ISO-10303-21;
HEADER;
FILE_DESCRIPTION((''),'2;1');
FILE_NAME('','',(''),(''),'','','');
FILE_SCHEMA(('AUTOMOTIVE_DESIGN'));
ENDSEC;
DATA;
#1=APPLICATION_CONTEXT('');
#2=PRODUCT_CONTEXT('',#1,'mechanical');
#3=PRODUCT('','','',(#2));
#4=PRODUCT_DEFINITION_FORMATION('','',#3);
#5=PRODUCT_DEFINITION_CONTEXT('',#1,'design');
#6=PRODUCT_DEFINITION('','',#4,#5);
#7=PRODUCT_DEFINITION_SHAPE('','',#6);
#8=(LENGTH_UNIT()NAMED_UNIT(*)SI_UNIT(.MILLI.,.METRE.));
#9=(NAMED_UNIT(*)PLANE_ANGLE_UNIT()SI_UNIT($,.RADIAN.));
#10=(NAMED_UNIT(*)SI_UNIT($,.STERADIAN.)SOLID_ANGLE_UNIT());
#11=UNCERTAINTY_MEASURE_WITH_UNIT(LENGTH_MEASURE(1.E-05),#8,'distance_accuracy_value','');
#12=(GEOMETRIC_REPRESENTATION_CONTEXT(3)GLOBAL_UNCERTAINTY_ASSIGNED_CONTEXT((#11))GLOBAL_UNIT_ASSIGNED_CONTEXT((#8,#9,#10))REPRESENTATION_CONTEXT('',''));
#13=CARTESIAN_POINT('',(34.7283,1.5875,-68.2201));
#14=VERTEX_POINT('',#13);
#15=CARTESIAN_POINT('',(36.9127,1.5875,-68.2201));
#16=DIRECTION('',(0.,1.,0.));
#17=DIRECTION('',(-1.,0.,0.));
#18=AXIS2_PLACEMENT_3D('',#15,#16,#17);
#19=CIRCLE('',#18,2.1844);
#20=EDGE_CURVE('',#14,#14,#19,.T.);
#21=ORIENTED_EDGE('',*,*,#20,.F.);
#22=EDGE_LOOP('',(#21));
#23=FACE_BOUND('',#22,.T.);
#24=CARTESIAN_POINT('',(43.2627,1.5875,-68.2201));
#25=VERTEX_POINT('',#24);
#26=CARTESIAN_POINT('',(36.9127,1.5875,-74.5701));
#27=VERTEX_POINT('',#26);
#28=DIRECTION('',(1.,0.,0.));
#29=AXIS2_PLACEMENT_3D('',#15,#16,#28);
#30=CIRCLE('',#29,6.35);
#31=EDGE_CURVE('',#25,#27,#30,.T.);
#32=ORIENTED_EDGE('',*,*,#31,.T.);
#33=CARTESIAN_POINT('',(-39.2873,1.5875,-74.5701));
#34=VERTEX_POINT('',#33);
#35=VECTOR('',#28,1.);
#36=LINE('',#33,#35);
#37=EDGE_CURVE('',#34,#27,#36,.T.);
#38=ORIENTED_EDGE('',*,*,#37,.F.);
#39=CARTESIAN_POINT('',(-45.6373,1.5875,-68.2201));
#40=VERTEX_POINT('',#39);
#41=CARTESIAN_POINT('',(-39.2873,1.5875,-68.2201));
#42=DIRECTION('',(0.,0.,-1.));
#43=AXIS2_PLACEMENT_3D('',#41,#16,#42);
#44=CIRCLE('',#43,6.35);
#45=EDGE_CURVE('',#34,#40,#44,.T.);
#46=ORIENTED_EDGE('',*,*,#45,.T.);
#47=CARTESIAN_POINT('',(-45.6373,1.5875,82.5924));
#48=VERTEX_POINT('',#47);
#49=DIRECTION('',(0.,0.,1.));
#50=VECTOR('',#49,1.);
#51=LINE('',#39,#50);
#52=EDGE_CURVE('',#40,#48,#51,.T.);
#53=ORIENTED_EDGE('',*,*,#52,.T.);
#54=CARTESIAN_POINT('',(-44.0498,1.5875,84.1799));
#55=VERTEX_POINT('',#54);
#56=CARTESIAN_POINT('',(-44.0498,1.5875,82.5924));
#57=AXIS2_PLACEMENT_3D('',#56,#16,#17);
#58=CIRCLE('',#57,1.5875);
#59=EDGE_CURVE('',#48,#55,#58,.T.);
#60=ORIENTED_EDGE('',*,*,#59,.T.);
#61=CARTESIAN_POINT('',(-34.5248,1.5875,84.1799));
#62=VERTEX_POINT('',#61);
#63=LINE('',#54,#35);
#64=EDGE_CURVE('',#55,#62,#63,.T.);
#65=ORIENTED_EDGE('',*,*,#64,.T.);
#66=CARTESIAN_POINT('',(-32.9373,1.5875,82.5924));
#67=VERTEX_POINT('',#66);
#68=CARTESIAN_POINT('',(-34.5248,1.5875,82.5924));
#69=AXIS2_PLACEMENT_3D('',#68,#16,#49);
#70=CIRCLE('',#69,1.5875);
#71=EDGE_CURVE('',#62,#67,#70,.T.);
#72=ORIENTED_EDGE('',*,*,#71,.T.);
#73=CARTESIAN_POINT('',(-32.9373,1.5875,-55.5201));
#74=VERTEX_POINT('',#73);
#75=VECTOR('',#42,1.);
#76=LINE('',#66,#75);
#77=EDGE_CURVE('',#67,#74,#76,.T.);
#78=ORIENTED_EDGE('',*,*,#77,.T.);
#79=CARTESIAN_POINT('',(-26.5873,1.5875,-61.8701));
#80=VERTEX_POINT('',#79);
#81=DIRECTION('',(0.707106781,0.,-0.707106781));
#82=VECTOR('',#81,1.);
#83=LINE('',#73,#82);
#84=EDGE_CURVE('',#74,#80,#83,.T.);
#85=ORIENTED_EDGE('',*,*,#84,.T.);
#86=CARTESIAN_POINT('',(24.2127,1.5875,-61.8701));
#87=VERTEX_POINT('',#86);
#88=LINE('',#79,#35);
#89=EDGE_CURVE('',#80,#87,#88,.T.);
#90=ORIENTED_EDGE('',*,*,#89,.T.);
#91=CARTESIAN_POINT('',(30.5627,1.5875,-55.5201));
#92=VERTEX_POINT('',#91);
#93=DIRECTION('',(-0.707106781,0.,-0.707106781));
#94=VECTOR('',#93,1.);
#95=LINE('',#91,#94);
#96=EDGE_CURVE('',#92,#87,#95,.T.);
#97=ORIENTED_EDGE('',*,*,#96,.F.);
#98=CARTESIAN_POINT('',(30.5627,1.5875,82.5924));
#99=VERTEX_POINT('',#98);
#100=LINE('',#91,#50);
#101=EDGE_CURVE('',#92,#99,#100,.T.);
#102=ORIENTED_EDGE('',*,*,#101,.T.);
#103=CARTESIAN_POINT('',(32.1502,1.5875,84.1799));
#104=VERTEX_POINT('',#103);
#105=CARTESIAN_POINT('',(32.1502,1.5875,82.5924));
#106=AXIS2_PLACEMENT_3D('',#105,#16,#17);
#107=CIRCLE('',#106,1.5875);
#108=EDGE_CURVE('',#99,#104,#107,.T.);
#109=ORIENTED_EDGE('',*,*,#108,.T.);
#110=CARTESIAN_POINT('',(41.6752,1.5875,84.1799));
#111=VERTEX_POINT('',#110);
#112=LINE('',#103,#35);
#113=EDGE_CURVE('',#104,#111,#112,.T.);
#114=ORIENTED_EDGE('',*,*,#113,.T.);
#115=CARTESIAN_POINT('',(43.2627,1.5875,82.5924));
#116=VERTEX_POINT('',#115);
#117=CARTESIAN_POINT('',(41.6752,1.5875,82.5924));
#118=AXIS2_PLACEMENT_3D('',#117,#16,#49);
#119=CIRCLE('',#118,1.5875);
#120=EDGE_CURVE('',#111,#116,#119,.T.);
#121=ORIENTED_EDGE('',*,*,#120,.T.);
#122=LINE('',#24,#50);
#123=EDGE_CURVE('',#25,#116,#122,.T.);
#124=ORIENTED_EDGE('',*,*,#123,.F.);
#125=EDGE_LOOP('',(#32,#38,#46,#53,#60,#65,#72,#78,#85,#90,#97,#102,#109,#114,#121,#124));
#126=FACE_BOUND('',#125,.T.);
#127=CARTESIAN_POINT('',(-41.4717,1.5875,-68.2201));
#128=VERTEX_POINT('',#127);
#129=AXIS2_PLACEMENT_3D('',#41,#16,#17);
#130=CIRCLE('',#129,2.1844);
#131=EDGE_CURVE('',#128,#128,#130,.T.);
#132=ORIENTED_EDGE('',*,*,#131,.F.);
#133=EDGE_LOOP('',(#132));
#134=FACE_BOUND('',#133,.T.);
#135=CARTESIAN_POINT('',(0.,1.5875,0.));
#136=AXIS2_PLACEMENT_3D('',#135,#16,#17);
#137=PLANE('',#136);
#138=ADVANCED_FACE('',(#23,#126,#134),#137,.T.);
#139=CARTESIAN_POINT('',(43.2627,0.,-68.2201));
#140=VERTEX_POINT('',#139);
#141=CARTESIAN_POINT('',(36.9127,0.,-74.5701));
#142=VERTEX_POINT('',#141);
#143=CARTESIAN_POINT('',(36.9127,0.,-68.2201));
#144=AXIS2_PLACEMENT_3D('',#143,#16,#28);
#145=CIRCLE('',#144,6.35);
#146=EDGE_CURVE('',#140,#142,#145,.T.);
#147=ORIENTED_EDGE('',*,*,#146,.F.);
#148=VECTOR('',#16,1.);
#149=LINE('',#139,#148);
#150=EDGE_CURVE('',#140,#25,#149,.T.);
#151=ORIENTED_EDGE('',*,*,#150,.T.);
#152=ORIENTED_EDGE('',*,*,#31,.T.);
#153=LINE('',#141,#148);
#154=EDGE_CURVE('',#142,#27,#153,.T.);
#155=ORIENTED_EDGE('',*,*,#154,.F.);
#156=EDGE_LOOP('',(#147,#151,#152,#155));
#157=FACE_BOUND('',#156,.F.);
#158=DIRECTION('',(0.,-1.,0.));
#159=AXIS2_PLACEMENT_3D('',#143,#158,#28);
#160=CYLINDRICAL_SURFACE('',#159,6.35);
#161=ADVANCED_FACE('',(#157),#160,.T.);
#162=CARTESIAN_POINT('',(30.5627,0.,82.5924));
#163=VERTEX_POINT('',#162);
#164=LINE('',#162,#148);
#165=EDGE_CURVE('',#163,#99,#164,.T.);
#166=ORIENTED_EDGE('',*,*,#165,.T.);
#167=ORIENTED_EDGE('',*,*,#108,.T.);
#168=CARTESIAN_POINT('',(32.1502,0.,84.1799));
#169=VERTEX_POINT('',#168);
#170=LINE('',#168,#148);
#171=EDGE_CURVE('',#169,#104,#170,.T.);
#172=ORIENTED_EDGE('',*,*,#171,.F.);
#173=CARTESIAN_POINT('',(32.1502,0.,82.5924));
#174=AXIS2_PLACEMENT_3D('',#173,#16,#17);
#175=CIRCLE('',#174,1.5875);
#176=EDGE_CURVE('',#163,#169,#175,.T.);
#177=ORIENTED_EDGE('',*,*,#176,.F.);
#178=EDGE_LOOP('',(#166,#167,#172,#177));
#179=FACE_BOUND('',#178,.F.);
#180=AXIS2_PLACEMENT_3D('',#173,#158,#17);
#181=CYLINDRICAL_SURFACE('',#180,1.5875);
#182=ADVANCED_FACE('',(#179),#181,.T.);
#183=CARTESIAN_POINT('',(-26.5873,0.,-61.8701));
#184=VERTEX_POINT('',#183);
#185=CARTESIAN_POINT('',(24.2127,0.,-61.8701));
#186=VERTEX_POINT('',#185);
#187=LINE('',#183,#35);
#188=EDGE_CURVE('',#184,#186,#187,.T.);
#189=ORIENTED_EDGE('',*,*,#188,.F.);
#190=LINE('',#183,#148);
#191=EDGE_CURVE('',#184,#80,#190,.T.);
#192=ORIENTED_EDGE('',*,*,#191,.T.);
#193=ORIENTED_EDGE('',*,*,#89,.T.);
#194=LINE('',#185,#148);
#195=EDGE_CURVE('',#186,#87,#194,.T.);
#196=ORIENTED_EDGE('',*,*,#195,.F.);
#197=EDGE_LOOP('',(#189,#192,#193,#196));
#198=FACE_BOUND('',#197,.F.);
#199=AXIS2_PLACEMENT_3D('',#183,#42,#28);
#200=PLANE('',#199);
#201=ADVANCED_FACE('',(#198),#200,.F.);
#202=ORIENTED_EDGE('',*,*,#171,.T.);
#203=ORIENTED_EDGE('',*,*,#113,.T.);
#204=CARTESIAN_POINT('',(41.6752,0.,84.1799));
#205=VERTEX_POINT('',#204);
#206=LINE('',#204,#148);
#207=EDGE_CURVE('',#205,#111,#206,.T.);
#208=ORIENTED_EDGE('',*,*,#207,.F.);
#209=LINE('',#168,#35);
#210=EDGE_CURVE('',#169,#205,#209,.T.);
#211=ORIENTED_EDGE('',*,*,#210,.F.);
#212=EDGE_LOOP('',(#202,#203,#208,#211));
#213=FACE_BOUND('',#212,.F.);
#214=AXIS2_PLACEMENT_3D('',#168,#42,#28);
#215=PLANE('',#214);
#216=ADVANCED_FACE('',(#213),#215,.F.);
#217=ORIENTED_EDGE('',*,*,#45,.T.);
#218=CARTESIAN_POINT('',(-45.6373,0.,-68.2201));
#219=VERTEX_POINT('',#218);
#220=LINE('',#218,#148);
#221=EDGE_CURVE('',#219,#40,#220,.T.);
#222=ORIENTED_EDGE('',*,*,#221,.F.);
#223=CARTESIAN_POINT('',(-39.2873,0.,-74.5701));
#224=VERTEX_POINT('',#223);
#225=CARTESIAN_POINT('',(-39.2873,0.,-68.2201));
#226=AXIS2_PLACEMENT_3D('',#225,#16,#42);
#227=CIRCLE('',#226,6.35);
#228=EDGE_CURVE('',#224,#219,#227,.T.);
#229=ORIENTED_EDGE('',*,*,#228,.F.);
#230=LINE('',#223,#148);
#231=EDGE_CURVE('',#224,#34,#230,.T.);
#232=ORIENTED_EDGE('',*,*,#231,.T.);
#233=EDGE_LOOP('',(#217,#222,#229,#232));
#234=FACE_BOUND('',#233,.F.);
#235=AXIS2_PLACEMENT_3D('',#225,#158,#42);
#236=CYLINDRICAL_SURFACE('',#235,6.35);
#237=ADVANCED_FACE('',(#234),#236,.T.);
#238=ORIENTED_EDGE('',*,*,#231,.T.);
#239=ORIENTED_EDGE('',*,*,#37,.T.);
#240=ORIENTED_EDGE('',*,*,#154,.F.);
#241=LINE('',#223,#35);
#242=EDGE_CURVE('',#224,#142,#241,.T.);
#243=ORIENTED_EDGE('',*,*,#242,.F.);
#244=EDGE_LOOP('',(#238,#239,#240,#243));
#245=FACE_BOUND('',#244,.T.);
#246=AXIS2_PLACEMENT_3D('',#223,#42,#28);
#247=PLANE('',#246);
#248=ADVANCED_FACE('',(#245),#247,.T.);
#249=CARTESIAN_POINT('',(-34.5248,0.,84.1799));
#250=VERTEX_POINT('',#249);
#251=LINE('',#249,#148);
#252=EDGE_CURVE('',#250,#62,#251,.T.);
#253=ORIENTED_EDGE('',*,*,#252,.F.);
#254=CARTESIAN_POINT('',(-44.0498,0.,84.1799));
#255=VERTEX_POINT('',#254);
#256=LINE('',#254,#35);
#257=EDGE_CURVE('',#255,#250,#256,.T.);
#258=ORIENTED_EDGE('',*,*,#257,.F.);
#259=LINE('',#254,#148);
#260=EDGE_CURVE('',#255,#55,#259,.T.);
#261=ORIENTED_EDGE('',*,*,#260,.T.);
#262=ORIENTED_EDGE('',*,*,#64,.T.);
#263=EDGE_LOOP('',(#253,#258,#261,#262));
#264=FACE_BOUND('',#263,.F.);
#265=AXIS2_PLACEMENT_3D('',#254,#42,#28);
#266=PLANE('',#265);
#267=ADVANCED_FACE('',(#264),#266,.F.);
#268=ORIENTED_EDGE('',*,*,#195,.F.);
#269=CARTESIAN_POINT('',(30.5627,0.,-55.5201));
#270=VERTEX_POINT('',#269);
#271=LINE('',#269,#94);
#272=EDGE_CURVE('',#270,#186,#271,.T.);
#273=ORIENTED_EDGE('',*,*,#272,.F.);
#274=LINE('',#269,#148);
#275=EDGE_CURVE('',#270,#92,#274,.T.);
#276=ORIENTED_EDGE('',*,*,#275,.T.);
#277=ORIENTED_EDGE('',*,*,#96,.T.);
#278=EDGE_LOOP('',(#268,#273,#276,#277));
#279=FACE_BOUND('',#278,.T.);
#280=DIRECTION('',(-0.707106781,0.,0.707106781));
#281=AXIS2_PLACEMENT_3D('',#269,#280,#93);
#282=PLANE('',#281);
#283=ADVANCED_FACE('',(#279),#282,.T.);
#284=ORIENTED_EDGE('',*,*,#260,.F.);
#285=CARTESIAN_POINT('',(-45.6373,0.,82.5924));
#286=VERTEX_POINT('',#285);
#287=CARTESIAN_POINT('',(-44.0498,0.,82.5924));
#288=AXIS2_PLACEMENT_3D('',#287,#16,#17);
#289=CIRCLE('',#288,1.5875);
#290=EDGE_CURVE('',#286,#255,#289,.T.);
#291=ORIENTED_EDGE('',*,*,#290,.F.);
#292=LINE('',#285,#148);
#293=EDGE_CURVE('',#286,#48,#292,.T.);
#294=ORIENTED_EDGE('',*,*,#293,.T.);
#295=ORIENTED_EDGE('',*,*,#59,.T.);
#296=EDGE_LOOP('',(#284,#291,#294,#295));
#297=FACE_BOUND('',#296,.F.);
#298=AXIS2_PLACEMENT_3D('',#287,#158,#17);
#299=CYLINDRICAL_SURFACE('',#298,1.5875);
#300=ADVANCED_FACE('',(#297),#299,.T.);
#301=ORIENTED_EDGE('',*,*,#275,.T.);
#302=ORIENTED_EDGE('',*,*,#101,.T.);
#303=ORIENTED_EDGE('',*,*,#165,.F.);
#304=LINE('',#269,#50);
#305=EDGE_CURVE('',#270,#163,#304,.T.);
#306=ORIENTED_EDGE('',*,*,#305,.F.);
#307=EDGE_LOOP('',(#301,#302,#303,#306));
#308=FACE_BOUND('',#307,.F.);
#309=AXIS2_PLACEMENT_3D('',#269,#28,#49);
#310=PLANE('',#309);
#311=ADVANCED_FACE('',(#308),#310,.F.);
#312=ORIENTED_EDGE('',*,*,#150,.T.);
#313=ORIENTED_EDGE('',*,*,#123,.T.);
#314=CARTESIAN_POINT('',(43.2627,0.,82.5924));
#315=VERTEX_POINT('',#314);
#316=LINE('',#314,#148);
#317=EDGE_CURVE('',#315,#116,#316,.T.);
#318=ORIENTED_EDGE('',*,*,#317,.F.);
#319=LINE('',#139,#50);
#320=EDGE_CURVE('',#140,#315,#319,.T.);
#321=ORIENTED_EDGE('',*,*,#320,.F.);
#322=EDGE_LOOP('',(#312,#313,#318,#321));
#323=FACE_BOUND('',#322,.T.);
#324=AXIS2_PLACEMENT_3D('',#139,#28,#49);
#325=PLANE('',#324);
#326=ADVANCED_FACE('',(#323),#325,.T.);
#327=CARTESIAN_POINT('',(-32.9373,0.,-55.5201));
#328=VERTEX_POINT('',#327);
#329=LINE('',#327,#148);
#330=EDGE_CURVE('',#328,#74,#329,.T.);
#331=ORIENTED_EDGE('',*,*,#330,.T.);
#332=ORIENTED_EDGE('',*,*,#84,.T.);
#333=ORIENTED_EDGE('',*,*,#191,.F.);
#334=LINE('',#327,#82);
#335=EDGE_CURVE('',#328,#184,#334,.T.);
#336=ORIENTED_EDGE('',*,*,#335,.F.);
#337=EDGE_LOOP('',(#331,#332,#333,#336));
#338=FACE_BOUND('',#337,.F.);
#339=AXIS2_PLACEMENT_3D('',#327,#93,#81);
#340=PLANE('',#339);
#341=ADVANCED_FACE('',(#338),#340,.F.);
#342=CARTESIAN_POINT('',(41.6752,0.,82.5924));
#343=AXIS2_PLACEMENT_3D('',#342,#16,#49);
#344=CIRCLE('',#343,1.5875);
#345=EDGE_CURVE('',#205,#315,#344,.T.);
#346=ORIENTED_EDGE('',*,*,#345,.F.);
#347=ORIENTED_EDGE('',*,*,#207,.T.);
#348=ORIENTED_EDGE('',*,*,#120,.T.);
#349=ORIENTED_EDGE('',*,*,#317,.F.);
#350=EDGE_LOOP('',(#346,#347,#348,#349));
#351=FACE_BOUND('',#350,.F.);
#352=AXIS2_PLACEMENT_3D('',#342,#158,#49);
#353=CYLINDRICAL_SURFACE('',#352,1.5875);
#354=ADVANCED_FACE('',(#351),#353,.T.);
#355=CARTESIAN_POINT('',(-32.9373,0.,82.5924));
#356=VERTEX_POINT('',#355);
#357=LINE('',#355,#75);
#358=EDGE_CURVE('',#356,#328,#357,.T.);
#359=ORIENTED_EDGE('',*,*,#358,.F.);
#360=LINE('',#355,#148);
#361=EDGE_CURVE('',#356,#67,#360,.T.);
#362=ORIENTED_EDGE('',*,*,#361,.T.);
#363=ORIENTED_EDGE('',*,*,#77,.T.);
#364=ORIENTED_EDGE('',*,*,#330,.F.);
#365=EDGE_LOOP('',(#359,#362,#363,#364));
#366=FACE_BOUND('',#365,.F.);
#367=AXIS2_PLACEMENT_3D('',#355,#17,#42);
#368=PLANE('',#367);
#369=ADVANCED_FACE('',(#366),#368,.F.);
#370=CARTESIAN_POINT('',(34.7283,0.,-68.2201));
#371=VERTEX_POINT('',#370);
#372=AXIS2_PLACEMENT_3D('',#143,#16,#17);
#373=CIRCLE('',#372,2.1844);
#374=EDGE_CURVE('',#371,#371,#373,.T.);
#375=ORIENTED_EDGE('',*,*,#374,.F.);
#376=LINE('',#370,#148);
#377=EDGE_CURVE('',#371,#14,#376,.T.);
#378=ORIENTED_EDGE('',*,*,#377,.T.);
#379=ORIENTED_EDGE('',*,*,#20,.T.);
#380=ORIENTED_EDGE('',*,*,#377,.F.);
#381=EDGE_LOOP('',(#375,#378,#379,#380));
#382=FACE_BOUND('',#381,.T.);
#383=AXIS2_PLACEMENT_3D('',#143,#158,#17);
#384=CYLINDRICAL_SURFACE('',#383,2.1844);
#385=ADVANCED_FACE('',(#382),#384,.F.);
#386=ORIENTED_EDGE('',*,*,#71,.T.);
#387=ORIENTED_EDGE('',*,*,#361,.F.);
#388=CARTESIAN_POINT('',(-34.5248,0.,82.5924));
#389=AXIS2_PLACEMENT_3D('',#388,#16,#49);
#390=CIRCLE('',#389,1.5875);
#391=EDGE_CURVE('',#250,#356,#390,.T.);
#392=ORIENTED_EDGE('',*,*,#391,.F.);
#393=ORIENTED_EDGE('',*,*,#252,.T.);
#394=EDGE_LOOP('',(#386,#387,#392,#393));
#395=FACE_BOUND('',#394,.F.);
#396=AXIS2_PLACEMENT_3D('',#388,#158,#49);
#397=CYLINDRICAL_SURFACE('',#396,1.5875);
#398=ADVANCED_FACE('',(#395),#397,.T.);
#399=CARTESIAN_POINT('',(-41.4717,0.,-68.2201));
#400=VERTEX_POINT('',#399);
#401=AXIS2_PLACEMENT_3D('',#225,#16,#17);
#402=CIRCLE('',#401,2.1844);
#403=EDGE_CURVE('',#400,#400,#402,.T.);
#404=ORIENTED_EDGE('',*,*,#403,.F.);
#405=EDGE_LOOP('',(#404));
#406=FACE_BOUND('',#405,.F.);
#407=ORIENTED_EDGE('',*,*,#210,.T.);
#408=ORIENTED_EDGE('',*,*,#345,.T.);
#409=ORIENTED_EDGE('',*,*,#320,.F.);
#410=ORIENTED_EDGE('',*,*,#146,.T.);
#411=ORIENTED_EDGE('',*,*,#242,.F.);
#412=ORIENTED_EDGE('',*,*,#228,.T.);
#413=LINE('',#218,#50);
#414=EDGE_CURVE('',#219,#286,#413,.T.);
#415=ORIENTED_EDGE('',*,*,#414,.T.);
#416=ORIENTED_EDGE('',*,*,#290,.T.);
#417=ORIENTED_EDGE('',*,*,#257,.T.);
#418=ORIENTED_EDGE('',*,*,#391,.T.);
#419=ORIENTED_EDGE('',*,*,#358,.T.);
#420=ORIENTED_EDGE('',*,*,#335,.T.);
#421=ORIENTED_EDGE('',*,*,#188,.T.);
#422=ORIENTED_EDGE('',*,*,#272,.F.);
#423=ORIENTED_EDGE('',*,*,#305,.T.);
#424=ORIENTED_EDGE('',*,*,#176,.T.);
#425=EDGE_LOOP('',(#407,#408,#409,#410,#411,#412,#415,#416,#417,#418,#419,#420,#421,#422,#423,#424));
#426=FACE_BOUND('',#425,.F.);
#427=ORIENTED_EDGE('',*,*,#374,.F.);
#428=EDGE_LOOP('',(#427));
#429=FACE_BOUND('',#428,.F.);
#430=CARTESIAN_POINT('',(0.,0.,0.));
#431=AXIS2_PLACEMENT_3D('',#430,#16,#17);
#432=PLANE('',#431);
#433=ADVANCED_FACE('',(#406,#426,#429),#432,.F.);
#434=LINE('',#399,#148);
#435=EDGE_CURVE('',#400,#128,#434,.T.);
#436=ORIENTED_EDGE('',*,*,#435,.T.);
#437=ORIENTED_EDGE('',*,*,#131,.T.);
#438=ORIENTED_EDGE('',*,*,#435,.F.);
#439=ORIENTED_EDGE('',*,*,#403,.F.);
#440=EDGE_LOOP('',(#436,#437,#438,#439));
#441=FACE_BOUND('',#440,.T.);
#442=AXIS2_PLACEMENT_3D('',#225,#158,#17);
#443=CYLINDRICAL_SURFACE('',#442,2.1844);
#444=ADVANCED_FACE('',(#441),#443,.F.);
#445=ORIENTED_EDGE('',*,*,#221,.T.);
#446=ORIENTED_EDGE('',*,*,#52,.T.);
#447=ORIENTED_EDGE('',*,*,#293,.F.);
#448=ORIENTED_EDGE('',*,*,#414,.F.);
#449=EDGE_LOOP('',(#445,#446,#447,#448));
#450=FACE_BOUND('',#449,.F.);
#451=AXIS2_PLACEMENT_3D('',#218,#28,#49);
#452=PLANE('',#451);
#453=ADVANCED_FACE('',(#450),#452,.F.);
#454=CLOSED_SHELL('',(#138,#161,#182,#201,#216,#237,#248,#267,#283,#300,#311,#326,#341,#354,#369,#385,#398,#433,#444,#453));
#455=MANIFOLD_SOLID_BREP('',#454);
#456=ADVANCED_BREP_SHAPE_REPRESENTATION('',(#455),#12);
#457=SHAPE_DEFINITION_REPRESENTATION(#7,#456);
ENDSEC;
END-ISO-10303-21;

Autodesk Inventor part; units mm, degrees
ref_plane "YZ Plane" through (0, 0, 0) normal (1, 0, 0) x (0, 1, 0)
ref_plane "XZ Plane" through (0, 0, 0) normal (0, 1, 0) x (-1, 0, 0)
ref_plane "XY Plane" through (0, 0, 0) normal (0, 0, 1) x (1, 0, 0)
sketch "Sketch1" plane through (0, 0, 0) normal (0, 1, 0) x (-1, 0, 0)
  circle A0 centre (-36.9127, -68.2201) radius 2.1844
  circle A1 centre (39.2873, -68.2201) radius 2.1844
  arc A2 (39.2873, -74.5701) -> (45.6373, -68.2201) centre (39.2873, -68.2201) ccw
  arc A3 (-43.2627, -68.2201) -> (-36.9127, -74.5701) centre (-36.9127, -68.2201) ccw
  line L0 (39.2873, -74.5701) -> (-36.9127, -74.5701)
  line L1 (-43.2627, -68.2201) -> (-43.2627, 82.5924)
  line L2 (45.6373, -68.2201) -> (45.6373, 82.5924)
  line L3 (32.9373, 82.5924) -> (32.9373, -55.5201)
  line L4 (-30.5627, -55.5201) -> (-30.5627, 82.5924)
  line L5 (-32.1502, 84.1799) -> (-41.6752, 84.1799)
  line L6 (44.0498, 84.1799) -> (34.5248, 84.1799)
  arc A4 (45.6373, 82.5924) -> (44.0498, 84.1799) centre (44.0498, 82.5924) ccw
  arc A5 (34.5248, 84.1799) -> (32.9373, 82.5924) centre (34.5248, 82.5924) ccw
  arc A6 (-30.5627, 82.5924) -> (-32.1502, 84.1799) centre (-32.1502, 82.5924) ccw
  arc A7 (-41.6752, 84.1799) -> (-43.2627, 82.5924) centre (-41.6752, 82.5924) ccw
  line L7 (26.5873, -61.8701) -> (-24.2127, -61.8701)
  line L8 (32.9373, -55.5201) -> (26.5873, -61.8701)
  line L9 (-30.5627, -55.5201) -> (-24.2127, -61.8701)
  point P0 (0, 0)
  point P1 (-43.2627, 84.1799)
  point P2 (45.6373, 84.1799)
  point P3 (-30.5627, -61.8701)
  point P4 (32.9373, -61.8701)
  dimension "d0" = 152.4
  dimension "d1" = 152.4
  dimension "d2" = 1.5875
  dimension "d3" = 6.35
  dimension "d4" = 6.35
  dimension "d5" = 6.35
  dimension "d6" = 6.35
extrude "Extrusion1" add sketch "Sketch1" along normal blind 1.5875
equation "\"d4\" = d3"
equation "\"d5\" = d3"
equation "\"d6\" = d5"
properties part number "Ring Guard" material "Acetal Resin, White"
